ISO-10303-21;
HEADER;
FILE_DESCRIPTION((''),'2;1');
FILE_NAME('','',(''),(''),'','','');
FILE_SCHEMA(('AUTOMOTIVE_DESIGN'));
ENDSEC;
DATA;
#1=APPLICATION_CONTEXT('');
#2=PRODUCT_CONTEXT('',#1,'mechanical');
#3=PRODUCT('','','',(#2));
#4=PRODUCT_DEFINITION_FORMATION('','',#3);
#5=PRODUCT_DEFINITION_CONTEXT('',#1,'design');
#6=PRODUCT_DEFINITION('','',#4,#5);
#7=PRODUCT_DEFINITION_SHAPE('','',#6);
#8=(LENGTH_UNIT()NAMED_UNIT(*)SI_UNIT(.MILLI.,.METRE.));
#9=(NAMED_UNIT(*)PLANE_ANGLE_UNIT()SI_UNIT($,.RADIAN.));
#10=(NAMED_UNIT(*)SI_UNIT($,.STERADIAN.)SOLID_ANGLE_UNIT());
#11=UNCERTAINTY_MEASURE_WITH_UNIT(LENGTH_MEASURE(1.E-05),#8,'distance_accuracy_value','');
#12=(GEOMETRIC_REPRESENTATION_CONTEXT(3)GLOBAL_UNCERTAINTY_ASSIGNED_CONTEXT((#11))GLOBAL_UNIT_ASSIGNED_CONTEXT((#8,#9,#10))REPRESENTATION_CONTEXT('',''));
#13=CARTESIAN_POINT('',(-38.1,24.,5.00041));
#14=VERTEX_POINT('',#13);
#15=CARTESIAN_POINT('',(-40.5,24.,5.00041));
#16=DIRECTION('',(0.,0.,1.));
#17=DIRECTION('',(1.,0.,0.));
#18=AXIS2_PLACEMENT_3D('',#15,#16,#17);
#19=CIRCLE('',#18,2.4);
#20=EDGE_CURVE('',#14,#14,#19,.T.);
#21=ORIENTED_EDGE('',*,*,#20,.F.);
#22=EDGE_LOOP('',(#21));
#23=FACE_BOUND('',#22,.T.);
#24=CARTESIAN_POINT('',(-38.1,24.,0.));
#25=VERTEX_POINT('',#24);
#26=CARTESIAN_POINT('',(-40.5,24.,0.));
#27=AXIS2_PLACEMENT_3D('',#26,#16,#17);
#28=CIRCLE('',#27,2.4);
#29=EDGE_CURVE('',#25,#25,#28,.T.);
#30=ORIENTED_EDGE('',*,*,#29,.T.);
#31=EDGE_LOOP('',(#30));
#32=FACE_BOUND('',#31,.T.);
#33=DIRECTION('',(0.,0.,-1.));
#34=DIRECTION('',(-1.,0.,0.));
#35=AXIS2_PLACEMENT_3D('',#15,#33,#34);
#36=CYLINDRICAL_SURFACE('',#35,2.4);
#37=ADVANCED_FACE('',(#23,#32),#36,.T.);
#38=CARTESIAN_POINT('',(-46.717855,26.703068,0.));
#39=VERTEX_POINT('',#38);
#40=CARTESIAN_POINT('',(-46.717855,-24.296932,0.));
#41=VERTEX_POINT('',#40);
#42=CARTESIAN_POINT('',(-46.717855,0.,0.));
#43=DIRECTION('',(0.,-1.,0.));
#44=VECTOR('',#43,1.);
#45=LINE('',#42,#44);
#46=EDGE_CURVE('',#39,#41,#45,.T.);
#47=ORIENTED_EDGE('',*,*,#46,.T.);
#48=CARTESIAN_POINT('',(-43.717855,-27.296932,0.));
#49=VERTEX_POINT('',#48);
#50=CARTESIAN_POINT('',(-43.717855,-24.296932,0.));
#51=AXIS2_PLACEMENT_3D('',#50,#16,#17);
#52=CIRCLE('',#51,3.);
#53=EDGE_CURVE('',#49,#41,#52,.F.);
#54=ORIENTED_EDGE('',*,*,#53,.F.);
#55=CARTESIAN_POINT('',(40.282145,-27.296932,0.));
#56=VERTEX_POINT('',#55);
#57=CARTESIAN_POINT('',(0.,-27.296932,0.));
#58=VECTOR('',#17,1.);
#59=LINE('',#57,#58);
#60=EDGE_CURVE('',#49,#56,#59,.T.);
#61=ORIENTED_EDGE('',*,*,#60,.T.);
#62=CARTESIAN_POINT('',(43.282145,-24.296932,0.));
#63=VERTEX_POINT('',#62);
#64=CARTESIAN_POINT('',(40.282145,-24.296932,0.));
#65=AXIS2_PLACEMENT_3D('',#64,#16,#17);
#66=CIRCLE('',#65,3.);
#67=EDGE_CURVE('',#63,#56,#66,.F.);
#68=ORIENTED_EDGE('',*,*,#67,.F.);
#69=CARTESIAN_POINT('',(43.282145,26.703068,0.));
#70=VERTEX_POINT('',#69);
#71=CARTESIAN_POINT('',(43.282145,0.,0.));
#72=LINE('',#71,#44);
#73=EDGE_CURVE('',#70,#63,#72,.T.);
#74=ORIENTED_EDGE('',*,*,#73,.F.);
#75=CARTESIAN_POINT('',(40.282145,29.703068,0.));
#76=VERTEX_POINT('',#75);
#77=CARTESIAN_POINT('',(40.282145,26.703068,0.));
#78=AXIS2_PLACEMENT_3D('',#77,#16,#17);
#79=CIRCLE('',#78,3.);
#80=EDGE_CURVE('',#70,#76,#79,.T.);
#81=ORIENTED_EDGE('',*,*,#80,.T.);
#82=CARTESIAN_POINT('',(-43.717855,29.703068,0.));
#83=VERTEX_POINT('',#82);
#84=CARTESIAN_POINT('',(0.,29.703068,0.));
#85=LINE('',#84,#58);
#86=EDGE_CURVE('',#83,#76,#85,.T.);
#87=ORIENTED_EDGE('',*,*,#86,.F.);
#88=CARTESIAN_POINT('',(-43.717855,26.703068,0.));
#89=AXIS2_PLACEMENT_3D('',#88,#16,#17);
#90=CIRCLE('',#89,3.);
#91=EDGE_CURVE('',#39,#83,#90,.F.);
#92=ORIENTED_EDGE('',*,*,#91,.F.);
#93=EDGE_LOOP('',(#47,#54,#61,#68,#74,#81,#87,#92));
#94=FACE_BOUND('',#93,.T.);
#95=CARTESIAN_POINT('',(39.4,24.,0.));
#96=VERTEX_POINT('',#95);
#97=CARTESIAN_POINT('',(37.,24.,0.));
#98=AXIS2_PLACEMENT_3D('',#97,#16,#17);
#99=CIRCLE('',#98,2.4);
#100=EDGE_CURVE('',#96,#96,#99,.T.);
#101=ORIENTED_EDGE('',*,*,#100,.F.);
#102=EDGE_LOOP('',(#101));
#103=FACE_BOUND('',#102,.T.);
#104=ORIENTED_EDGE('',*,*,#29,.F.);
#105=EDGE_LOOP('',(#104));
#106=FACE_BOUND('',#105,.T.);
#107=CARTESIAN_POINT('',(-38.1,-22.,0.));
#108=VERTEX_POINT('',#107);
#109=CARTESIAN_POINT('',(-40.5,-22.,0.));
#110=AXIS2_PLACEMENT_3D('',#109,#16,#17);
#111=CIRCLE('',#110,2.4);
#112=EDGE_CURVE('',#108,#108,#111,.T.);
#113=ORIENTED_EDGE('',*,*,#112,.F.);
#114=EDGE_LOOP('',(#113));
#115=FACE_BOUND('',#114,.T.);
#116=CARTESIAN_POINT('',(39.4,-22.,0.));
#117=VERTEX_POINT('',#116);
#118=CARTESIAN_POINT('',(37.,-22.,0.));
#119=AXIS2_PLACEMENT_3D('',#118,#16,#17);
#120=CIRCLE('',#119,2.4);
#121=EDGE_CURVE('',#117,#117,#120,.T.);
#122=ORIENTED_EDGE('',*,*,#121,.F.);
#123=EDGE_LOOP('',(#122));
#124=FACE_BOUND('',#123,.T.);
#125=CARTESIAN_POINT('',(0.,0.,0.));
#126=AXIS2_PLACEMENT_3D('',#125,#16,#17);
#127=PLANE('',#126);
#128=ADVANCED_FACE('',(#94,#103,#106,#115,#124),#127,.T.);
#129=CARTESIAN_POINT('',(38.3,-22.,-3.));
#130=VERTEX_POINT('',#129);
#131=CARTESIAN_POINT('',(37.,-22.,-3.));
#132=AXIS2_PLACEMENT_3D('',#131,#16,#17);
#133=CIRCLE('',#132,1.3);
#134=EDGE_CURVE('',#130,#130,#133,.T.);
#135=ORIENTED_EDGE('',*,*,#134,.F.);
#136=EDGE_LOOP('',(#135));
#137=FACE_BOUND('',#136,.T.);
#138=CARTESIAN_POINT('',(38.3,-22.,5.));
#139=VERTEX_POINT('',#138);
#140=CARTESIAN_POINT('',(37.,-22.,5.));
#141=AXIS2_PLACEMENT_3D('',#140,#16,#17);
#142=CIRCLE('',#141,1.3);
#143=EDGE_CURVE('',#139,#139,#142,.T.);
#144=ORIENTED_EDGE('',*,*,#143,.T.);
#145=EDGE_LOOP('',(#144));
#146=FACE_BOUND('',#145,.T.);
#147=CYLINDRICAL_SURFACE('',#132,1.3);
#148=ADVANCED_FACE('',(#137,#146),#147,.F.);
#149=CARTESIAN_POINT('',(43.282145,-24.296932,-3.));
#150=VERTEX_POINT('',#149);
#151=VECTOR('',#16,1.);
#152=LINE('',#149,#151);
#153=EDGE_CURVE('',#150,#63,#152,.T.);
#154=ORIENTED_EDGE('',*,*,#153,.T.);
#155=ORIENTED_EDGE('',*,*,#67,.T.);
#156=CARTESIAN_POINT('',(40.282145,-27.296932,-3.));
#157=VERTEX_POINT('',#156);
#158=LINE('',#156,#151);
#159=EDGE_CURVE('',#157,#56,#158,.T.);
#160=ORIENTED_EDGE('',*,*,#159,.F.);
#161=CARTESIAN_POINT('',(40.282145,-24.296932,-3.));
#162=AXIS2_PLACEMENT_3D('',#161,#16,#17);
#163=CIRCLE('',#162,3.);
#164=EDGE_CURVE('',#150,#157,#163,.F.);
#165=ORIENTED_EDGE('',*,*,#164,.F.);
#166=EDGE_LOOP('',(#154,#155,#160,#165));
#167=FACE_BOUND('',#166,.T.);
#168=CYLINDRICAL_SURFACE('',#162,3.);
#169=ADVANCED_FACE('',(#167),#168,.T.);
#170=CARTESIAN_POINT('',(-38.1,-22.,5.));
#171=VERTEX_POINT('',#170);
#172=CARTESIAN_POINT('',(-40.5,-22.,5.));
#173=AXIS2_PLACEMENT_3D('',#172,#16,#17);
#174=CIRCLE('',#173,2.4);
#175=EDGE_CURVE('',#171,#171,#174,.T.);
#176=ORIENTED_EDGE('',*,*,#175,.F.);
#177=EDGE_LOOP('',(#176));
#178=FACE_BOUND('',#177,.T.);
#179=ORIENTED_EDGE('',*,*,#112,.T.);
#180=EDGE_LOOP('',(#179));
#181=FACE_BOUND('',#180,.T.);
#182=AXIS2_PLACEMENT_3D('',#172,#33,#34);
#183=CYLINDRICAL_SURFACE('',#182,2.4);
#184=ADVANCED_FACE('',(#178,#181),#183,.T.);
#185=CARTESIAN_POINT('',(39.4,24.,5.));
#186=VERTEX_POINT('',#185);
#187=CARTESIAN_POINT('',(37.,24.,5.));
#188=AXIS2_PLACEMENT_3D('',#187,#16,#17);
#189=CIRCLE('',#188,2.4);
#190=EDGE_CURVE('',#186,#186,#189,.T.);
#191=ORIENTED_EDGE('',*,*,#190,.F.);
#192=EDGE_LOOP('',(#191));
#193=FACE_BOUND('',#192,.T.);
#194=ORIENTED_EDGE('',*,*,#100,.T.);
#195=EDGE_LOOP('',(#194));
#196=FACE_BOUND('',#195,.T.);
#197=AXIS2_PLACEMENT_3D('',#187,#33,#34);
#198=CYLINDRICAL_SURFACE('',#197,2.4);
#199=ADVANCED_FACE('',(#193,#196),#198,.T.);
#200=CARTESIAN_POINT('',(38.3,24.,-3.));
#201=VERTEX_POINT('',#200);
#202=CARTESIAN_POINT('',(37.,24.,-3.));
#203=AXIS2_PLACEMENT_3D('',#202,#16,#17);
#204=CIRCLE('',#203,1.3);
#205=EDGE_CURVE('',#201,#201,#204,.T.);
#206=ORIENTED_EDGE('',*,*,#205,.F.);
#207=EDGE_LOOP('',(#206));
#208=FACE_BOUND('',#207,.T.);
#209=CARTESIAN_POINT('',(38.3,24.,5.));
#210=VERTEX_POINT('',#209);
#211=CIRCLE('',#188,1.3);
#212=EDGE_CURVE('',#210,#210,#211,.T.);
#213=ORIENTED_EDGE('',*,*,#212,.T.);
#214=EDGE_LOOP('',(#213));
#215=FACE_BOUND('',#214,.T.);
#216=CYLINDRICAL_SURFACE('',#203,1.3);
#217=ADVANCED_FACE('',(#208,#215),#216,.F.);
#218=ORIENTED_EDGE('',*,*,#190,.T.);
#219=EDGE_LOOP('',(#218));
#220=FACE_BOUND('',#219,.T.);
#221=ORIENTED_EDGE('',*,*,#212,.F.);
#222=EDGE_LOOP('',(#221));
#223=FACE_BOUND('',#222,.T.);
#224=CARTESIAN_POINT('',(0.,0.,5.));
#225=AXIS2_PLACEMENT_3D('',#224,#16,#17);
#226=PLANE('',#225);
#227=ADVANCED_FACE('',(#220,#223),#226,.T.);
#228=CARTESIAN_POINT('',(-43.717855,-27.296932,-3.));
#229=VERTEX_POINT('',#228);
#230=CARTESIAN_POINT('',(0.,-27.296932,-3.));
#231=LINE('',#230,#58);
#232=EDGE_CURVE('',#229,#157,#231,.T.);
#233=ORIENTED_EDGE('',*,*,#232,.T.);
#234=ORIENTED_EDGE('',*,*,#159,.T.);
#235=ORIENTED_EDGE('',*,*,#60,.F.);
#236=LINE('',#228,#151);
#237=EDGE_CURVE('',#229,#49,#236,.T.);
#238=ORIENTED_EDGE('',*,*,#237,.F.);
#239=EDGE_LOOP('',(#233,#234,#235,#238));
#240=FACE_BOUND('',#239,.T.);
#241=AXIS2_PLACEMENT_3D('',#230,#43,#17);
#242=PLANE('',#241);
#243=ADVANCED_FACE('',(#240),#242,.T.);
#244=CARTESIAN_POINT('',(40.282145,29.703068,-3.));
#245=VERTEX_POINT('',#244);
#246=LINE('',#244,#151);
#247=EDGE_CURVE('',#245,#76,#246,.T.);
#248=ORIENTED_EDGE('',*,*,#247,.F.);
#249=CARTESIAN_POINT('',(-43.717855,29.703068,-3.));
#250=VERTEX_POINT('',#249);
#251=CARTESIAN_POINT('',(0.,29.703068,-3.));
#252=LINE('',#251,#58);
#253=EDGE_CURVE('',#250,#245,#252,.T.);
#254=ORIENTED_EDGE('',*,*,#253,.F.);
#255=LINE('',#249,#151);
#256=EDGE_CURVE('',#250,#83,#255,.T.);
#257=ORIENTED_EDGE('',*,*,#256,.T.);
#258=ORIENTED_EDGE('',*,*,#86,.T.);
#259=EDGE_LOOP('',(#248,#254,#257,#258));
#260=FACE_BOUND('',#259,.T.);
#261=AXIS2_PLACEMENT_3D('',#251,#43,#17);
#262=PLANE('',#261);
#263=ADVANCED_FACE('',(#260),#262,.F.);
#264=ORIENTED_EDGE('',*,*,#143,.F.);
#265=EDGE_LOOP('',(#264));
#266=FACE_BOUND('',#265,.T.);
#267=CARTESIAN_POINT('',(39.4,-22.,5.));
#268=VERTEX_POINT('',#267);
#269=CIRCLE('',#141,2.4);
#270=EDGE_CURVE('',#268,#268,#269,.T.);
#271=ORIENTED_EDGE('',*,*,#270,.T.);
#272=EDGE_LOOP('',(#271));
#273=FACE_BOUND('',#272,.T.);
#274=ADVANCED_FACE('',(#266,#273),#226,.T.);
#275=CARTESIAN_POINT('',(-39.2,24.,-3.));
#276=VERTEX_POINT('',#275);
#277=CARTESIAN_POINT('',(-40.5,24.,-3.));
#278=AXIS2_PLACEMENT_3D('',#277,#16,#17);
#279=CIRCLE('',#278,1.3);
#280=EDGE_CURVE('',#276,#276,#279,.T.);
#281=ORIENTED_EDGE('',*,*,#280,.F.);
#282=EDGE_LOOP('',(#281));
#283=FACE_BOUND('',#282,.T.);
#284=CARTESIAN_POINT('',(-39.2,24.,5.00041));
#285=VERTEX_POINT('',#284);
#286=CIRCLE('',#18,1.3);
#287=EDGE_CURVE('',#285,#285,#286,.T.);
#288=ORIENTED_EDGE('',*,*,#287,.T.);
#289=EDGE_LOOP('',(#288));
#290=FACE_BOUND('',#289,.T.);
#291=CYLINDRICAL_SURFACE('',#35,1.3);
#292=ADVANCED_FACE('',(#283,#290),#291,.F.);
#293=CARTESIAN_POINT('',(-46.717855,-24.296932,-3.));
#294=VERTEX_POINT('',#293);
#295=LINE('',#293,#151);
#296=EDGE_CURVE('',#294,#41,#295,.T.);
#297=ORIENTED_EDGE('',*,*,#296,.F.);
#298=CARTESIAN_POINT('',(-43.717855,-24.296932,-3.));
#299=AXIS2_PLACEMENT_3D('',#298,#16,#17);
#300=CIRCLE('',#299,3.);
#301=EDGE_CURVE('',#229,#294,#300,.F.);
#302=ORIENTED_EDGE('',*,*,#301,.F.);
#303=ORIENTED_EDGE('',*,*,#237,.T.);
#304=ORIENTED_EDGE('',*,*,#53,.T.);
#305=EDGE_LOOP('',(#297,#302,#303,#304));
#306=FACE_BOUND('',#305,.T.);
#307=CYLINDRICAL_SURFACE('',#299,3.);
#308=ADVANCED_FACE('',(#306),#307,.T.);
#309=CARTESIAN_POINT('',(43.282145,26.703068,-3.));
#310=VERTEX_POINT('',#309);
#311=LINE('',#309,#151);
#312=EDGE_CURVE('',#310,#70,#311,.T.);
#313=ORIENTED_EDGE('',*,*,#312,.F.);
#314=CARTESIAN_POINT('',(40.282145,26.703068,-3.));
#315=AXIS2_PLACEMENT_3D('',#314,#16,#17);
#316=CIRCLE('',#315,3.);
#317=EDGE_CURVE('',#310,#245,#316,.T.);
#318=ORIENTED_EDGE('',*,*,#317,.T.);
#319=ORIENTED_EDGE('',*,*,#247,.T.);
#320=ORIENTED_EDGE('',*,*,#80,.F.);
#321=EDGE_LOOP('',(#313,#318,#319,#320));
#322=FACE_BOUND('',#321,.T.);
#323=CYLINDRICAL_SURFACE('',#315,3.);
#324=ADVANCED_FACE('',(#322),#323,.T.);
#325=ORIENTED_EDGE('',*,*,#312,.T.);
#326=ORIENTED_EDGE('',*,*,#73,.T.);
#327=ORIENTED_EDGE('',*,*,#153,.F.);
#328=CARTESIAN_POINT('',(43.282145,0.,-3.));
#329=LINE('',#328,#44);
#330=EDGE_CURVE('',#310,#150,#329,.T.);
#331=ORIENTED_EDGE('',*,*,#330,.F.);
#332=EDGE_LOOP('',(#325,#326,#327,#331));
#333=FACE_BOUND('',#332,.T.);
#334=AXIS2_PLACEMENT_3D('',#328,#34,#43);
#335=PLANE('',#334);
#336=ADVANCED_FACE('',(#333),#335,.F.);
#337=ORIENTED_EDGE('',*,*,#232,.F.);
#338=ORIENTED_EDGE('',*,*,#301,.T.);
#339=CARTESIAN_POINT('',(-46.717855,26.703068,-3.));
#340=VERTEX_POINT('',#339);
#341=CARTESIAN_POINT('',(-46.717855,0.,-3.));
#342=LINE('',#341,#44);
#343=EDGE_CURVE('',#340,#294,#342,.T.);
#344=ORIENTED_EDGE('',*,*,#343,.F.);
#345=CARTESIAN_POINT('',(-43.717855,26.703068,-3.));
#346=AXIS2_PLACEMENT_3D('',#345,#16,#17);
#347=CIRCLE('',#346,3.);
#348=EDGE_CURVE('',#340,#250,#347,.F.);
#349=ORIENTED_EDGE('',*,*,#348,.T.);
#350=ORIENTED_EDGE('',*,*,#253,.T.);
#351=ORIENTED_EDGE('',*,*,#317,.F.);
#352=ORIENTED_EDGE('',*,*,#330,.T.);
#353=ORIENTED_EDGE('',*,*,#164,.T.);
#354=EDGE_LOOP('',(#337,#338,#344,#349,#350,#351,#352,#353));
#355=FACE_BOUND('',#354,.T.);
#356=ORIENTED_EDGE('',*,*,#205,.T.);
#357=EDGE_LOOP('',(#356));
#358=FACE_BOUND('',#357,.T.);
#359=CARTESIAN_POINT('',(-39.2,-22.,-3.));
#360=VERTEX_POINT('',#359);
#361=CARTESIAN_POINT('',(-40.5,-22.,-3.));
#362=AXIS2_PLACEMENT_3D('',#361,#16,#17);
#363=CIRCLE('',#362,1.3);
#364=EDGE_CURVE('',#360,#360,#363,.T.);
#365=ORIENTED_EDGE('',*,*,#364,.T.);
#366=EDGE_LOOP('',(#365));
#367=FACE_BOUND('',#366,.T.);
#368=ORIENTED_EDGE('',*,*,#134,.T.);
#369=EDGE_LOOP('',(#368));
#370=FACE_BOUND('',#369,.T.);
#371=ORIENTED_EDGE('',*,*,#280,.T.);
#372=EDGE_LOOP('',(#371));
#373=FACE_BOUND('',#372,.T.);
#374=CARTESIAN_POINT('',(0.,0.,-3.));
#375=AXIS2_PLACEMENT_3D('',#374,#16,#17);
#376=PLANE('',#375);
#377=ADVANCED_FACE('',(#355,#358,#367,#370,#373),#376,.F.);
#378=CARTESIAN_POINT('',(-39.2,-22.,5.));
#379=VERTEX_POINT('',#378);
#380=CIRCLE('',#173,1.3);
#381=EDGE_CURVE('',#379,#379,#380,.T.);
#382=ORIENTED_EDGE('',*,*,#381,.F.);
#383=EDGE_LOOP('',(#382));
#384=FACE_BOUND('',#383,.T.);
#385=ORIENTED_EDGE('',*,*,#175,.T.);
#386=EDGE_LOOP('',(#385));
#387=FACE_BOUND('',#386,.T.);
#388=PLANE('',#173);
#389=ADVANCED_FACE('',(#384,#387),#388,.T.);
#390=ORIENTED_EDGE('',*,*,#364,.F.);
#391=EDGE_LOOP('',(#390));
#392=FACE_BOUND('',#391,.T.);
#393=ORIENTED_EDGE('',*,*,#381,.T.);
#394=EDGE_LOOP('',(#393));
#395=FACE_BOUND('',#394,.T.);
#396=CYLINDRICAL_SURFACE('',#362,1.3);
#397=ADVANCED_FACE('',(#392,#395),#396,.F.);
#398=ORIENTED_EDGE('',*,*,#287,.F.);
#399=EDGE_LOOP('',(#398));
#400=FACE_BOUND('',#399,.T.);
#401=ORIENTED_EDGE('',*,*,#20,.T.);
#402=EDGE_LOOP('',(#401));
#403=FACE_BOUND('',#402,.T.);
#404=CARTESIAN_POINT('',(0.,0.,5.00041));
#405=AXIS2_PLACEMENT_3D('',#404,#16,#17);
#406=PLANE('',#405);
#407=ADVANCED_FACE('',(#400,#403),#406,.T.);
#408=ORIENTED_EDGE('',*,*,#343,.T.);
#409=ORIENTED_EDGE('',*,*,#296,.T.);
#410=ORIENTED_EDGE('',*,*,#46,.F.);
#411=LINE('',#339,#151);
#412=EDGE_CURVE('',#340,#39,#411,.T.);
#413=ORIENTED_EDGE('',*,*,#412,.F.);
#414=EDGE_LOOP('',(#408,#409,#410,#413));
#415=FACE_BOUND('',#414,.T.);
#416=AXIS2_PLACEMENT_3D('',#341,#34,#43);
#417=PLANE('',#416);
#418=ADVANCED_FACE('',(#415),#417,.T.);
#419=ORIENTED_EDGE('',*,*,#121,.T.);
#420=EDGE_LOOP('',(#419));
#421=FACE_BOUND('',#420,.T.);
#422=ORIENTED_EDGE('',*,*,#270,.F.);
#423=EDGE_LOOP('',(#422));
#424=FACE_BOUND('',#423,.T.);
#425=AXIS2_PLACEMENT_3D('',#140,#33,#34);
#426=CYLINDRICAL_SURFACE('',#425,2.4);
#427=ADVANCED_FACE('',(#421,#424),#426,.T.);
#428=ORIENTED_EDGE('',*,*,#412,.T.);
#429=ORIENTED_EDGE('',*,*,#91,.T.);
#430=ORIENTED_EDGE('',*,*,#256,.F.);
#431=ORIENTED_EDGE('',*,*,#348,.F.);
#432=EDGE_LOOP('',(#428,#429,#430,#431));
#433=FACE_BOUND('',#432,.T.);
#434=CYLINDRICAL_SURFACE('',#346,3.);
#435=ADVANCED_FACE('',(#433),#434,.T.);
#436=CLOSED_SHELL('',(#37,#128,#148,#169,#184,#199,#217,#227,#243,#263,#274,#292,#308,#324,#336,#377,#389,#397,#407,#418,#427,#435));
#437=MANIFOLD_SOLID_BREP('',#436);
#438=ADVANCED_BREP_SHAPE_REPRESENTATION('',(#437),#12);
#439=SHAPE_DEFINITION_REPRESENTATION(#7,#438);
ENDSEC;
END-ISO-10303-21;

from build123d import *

# Parameters (mm, degrees)
SKETCH_3_R       = 2.4
SKETCH_3_R_2     = 1.3
EXTRUDE_5_DEPTH  = 5.000409789
SKETCH_3_8_R     = 2.4
SKETCH_3_8_R_2   = 1.3
EXTRUDE_6_DEPTH  = 5
SKETCH_3_9_R     = 2.4
SKETCH_3_9_R_2   = 1.3
EXTRUDE_7_DEPTH  = 5
SKETCH_3_10_R    = 2.4
SKETCH_3_10_R_2  = 1.3
EXTRUDE_8_DEPTH  = 5
EXTRUDE_START    = -3
SKETCH_3_17_R    = 1.3
EXTRUDE_12_DEPTH = 3


with BuildPart() as part:
    # 草图3 → 凸台-拉伸5 (new body)
    with BuildSketch(Plane.XY):
        with Locations((-40.5, 24)):
            Circle(SKETCH_3_R)
        with Locations((-40.5, 24)):
            Circle(SKETCH_3_R_2, mode=Mode.SUBTRACT)
    extrude(amount=EXTRUDE_5_DEPTH)



with BuildPart() as body_2:
    # 草图3<8> → 凸台-拉伸6 (new body)
    with BuildSketch(Plane.XY):
        with Locations((37, 24)):
            Circle(SKETCH_3_8_R)
        with Locations((37, 24)):
            Circle(SKETCH_3_8_R_2, mode=Mode.SUBTRACT)
    extrude(amount=EXTRUDE_6_DEPTH)


with BuildPart() as body_3:
    # 草图3<9> → 凸台-拉伸7 (new body)
    with BuildSketch(Plane.XY):
        with Locations((37, -22)):
            Circle(SKETCH_3_9_R)
        with Locations((37, -22)):
            Circle(SKETCH_3_9_R_2, mode=Mode.SUBTRACT)
    extrude(amount=EXTRUDE_7_DEPTH)


with BuildPart() as body_4:
    # 草图3<10> → 凸台-拉伸8 (new body)
    with BuildSketch(Plane.XY):
        with Locations((-40.5, -22)):
            Circle(SKETCH_3_10_R)
        with Locations((-40.5, -22)):
            Circle(SKETCH_3_10_R_2, mode=Mode.SUBTRACT)
    extrude(amount=EXTRUDE_8_DEPTH)


with BuildPart() as part_1:
    add(part.part)

    add(body_2.part)  # 凸台-拉伸12 merges body 2

    add(body_3.part)  # 凸台-拉伸12 merges body 3

    add(body_4.part)  # 凸台-拉伸12 merges body 4
    # 草图3<17> → 凸台-拉伸12 (add)
    with BuildSketch(Plane.XY.offset(EXTRUDE_START)):
        with BuildLine():
            Line((40.282145442, 29.703068159), (-43.717854558, 29.703068159))
            ThreePointArc((-43.717854558, 29.703068159), (-45.839174902, 28.824388502), (-46.717854558, 26.703068159))
            Line((-46.717854558, 26.703068159), (-46.717854558, -24.296931841))
            ThreePointArc((-46.717854558, -24.296931841), (-45.839174902, -26.418252185), (-43.717854558, -27.296931841))
            Line((-43.717854558, -27.296931841), (40.282145442, -27.296931841))
            ThreePointArc((40.282145442, -27.296931841), (42.403465785, -26.418252185), (43.282145442, -24.296931841))
            Line((43.282145442, -24.296931841), (43.282145442, 26.703068159))
            ThreePointArc((43.282145442, 26.703068159), (42.403465785, 28.824388502), (40.282145442, 29.703068159))
        make_face()
        with Locations((37, 24)):
            Circle(SKETCH_3_17_R, mode=Mode.SUBTRACT)
        with Locations((37, -22)):
            Circle(SKETCH_3_17_R, mode=Mode.SUBTRACT)
        with Locations((-40.5, 24)):
            Circle(SKETCH_3_17_R, mode=Mode.SUBTRACT)
        with Locations((-40.5, -22)):
            Circle(SKETCH_3_17_R, mode=Mode.SUBTRACT)
    extrude(amount=EXTRUDE_12_DEPTH)


solid = part_1.part
